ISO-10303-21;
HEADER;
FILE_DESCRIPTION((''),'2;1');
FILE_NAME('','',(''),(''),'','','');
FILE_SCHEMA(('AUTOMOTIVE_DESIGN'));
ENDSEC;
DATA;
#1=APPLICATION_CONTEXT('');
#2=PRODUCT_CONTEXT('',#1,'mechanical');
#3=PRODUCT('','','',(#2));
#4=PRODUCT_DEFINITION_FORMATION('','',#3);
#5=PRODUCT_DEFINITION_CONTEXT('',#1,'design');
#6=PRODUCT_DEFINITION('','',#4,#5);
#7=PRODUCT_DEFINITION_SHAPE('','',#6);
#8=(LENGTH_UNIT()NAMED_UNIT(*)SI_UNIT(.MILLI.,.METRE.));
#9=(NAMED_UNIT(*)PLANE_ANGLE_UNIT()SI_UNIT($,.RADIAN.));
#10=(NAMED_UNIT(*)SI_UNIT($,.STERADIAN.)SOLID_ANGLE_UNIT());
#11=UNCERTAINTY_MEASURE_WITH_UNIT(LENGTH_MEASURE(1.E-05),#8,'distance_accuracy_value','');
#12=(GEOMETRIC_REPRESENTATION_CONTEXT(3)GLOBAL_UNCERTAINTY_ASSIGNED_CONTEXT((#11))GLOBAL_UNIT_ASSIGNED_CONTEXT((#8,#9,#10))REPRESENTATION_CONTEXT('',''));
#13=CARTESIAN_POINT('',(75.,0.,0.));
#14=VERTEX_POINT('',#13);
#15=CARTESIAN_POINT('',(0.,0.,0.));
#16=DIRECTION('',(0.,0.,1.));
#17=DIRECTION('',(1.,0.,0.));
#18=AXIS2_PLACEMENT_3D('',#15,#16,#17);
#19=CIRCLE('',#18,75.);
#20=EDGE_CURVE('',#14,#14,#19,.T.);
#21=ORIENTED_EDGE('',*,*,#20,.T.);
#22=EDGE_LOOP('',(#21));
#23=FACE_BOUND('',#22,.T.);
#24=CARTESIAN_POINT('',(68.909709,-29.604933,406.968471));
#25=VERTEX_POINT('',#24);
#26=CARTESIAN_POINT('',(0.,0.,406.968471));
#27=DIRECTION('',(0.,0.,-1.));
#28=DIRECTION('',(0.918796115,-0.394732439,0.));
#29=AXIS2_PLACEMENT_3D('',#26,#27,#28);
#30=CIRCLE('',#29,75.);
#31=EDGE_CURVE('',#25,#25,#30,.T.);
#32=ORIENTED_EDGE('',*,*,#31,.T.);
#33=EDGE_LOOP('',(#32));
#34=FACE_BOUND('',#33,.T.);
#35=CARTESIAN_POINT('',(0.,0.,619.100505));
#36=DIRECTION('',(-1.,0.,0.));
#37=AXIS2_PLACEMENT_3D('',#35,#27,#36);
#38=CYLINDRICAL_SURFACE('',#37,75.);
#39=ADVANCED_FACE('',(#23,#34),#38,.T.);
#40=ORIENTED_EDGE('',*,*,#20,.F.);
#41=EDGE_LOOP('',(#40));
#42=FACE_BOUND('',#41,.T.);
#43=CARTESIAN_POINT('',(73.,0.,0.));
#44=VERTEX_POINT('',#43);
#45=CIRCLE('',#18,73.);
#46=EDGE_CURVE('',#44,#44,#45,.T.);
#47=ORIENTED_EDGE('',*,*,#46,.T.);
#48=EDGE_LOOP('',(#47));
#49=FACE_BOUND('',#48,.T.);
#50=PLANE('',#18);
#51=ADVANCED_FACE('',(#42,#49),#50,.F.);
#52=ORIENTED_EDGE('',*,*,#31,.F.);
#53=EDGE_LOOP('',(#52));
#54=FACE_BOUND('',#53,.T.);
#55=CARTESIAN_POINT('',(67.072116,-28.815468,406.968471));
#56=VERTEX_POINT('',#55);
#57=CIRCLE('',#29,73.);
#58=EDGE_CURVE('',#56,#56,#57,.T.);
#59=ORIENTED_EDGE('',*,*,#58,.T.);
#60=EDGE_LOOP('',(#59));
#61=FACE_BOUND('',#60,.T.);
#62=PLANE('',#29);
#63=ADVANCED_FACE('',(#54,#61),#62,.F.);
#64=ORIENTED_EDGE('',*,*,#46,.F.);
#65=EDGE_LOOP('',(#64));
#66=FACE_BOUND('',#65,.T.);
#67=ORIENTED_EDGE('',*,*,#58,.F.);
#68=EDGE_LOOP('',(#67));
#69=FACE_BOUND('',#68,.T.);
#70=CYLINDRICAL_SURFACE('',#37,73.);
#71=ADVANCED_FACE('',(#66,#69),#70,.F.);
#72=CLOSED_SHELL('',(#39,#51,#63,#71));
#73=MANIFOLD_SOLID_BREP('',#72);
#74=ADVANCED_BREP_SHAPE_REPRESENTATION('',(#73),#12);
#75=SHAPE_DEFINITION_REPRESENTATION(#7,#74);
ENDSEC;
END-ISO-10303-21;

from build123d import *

# Parameters (mm, degrees)
SCHIZZO1_R                = 75
SCHIZZO1_R_2              = 73
ESTRUSIONE_SOTTILE1_DEPTH = 406.968470742


with BuildPart() as part:
    # Schizzo1 → Estrusione-Sottile1 (new body)
    with BuildSketch(Plane.XY):
        Circle(SCHIZZO1_R)
        Circle(SCHIZZO1_R_2, mode=Mode.SUBTRACT)
    extrude(amount=ESTRUSIONE_SOTTILE1_DEPTH)


solid = part.part
